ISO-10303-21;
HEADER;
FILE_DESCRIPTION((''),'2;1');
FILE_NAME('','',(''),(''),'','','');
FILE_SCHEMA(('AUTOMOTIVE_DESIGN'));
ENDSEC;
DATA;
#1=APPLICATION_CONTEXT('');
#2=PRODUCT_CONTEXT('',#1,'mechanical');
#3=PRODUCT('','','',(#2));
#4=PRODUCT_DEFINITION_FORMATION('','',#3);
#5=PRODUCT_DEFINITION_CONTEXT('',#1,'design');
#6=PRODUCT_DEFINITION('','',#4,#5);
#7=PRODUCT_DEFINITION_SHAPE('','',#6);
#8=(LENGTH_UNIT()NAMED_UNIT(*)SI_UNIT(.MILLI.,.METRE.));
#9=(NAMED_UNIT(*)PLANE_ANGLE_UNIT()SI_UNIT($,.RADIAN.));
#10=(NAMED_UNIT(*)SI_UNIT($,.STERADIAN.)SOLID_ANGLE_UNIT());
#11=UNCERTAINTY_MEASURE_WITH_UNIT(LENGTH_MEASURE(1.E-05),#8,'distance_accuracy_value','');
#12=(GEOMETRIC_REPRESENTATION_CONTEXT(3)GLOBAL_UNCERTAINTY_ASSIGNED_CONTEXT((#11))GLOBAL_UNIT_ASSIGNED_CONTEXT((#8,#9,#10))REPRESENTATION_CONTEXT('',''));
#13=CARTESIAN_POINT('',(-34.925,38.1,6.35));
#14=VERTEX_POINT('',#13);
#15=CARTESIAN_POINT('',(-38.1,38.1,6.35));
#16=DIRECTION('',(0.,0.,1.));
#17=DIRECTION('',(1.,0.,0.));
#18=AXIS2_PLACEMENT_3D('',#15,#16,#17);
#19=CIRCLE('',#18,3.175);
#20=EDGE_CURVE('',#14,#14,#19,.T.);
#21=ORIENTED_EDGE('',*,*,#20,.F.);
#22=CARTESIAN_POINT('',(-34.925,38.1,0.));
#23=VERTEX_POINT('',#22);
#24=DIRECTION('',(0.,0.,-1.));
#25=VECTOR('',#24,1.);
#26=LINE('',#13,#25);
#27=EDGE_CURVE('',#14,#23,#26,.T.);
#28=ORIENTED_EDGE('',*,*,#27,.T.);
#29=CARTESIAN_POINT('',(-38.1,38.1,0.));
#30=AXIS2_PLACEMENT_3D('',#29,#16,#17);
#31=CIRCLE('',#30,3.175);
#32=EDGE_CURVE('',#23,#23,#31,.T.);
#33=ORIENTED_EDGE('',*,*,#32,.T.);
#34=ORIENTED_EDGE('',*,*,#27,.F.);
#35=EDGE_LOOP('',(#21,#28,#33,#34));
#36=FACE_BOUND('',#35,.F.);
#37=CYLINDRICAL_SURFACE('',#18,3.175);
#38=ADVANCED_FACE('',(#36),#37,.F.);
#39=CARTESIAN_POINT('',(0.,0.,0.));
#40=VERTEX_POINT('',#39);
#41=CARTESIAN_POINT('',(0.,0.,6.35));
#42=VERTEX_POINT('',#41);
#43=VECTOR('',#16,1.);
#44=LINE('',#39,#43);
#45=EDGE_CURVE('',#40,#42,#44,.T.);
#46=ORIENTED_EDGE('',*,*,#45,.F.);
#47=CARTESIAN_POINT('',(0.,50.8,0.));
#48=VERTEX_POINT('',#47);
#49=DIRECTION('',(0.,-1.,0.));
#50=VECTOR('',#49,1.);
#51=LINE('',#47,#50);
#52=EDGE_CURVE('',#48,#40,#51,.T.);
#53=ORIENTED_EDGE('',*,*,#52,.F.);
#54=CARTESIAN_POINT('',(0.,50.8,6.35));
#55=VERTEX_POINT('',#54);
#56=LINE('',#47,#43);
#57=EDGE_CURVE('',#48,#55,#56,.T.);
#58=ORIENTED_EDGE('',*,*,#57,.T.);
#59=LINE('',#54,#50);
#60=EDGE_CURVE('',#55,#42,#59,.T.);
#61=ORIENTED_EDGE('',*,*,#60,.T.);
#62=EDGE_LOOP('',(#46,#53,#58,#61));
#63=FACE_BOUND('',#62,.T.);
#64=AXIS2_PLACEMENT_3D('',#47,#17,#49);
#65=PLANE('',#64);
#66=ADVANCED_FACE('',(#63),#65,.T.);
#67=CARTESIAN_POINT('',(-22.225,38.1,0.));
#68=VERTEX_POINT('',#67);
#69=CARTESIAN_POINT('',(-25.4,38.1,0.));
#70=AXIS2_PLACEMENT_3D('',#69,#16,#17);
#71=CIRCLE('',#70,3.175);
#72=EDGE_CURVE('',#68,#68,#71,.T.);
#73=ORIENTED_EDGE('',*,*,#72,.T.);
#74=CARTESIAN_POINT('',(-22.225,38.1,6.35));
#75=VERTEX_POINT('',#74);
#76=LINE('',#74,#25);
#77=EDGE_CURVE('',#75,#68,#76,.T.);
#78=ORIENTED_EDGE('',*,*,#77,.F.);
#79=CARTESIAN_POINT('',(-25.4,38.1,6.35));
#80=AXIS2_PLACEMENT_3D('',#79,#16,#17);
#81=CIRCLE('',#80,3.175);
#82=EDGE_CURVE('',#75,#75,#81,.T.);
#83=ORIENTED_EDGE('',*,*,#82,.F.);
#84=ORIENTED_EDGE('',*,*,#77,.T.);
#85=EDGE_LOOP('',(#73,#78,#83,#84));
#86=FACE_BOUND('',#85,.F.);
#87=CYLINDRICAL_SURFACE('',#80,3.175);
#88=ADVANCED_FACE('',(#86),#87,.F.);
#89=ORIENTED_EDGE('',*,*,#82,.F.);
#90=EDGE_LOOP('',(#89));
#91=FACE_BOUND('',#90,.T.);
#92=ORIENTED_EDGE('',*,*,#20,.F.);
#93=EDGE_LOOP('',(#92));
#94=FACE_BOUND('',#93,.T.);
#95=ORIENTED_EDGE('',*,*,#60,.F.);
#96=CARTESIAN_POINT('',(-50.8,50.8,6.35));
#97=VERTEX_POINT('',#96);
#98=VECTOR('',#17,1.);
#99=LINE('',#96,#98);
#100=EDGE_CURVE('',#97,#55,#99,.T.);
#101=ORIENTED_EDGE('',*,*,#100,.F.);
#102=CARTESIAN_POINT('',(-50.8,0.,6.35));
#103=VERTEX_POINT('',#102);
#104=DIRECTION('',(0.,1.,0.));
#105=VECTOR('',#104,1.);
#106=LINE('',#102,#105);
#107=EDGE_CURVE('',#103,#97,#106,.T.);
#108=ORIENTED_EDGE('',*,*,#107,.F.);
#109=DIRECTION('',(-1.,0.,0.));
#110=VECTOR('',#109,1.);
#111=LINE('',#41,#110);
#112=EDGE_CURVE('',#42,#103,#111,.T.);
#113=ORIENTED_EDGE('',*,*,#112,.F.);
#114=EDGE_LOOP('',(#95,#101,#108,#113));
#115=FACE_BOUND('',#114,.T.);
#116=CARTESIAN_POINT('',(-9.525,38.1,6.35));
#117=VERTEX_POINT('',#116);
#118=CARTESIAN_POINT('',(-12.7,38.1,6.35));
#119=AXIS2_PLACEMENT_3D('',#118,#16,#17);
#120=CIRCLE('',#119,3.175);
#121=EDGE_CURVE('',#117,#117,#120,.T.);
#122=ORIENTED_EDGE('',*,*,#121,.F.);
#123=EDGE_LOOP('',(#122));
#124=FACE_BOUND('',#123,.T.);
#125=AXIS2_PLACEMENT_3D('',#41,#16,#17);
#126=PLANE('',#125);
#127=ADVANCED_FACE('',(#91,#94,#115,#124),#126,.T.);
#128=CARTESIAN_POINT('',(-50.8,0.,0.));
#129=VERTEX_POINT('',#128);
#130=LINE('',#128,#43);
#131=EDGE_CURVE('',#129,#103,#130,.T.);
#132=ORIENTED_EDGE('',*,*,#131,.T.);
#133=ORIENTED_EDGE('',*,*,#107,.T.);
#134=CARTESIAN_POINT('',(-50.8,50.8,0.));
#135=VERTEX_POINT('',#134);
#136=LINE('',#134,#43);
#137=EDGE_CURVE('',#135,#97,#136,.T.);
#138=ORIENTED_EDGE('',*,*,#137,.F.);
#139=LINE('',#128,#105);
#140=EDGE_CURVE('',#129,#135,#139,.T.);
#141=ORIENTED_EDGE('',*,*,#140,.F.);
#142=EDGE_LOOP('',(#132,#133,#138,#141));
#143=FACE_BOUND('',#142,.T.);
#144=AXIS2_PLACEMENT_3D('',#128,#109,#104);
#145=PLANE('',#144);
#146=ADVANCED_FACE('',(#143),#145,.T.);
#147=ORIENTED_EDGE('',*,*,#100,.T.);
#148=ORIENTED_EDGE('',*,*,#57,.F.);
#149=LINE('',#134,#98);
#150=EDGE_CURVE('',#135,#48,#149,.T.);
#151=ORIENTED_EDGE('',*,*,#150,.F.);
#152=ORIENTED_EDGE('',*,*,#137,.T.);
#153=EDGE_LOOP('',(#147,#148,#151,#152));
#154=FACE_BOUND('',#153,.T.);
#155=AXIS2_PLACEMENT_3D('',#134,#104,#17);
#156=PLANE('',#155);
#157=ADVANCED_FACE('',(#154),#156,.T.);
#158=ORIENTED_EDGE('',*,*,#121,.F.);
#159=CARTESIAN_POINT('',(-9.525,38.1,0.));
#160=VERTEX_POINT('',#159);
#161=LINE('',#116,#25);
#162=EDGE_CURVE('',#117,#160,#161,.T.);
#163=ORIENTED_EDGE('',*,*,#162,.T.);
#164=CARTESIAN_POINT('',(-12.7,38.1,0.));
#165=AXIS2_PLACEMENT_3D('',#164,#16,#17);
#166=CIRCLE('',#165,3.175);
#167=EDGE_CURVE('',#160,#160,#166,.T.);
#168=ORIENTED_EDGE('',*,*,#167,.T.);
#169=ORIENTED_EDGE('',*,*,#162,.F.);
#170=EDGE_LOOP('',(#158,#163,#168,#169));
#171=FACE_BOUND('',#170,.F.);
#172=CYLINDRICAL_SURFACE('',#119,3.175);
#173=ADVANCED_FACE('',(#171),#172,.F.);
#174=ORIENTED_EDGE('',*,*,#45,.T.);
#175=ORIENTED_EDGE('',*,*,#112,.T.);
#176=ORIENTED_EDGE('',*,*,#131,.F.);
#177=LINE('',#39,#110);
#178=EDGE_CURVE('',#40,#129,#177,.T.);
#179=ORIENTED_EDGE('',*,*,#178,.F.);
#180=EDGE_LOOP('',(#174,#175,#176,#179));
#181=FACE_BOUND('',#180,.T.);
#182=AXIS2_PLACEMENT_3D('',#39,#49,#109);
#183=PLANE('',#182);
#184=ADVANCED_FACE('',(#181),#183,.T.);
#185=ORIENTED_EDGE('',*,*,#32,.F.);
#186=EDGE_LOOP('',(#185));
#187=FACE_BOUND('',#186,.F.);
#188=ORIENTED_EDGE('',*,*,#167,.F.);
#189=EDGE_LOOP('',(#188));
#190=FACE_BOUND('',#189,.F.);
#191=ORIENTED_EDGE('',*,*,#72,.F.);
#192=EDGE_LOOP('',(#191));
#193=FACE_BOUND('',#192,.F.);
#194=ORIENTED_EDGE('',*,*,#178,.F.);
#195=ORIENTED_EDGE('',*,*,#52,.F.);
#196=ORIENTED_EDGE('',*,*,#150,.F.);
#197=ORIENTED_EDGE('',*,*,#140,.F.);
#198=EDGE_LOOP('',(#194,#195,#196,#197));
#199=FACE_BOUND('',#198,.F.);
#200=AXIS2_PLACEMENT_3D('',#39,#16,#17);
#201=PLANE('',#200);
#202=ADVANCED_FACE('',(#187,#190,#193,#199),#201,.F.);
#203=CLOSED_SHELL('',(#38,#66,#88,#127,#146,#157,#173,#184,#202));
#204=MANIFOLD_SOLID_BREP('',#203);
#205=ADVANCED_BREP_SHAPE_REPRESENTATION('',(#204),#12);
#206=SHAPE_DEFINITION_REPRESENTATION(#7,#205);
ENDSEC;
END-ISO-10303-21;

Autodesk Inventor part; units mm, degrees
ref_plane "YZ Plane" through (0, 0, 0) normal (1, 0, 0) x (0, 1, 0)
ref_plane "XZ Plane" through (0, 0, 0) normal (0, 1, 0) x (-1, 0, 0)
ref_plane "XY Plane" through (0, 0, 0) normal (0, 0, 1) x (1, 0, 0)
sketch "Sketch1" plane through (0, 0, 0) normal (0, 0, 1) x (1, 0, 0)
  line L0 (0, 0) -> (-50.8, 0)
  line L1 (-50.8, 0) -> (-50.8, 50.8)
  line L2 (-50.8, 50.8) -> (0, 50.8)
  line L3 (0, 50.8) -> (0, 0)
  dimension "d0" = 50.8
  dimension "d1" = 50.8
extrude "Extrusion1" add sketch "Sketch1" along normal blind 6.35
sketch "Sketch2" plane through (0, 0, 6.35) normal (0, 0, 1) x (1, 0, 0)
  line L0 (0, 50.8) -> (0, 0) projected
  line L1 (-50.8, 50.8) -> (0, 50.8) projected
  circle A0 centre (-12.7, 38.1) radius 3.175
  dimension "d4" = 12.7
  dimension "d5" = 12.7
  dimension "d6" = 6.35
extrude "Extrusion2" cut sketch "Sketch2" against normal through all
pattern_linear "Rectangular Pattern1" count 3 spacing 12.7 along (-1, 0, 0) of "Extrusion2"
properties part number "Shovel_PivotMount" material "Aluminum-6061"
